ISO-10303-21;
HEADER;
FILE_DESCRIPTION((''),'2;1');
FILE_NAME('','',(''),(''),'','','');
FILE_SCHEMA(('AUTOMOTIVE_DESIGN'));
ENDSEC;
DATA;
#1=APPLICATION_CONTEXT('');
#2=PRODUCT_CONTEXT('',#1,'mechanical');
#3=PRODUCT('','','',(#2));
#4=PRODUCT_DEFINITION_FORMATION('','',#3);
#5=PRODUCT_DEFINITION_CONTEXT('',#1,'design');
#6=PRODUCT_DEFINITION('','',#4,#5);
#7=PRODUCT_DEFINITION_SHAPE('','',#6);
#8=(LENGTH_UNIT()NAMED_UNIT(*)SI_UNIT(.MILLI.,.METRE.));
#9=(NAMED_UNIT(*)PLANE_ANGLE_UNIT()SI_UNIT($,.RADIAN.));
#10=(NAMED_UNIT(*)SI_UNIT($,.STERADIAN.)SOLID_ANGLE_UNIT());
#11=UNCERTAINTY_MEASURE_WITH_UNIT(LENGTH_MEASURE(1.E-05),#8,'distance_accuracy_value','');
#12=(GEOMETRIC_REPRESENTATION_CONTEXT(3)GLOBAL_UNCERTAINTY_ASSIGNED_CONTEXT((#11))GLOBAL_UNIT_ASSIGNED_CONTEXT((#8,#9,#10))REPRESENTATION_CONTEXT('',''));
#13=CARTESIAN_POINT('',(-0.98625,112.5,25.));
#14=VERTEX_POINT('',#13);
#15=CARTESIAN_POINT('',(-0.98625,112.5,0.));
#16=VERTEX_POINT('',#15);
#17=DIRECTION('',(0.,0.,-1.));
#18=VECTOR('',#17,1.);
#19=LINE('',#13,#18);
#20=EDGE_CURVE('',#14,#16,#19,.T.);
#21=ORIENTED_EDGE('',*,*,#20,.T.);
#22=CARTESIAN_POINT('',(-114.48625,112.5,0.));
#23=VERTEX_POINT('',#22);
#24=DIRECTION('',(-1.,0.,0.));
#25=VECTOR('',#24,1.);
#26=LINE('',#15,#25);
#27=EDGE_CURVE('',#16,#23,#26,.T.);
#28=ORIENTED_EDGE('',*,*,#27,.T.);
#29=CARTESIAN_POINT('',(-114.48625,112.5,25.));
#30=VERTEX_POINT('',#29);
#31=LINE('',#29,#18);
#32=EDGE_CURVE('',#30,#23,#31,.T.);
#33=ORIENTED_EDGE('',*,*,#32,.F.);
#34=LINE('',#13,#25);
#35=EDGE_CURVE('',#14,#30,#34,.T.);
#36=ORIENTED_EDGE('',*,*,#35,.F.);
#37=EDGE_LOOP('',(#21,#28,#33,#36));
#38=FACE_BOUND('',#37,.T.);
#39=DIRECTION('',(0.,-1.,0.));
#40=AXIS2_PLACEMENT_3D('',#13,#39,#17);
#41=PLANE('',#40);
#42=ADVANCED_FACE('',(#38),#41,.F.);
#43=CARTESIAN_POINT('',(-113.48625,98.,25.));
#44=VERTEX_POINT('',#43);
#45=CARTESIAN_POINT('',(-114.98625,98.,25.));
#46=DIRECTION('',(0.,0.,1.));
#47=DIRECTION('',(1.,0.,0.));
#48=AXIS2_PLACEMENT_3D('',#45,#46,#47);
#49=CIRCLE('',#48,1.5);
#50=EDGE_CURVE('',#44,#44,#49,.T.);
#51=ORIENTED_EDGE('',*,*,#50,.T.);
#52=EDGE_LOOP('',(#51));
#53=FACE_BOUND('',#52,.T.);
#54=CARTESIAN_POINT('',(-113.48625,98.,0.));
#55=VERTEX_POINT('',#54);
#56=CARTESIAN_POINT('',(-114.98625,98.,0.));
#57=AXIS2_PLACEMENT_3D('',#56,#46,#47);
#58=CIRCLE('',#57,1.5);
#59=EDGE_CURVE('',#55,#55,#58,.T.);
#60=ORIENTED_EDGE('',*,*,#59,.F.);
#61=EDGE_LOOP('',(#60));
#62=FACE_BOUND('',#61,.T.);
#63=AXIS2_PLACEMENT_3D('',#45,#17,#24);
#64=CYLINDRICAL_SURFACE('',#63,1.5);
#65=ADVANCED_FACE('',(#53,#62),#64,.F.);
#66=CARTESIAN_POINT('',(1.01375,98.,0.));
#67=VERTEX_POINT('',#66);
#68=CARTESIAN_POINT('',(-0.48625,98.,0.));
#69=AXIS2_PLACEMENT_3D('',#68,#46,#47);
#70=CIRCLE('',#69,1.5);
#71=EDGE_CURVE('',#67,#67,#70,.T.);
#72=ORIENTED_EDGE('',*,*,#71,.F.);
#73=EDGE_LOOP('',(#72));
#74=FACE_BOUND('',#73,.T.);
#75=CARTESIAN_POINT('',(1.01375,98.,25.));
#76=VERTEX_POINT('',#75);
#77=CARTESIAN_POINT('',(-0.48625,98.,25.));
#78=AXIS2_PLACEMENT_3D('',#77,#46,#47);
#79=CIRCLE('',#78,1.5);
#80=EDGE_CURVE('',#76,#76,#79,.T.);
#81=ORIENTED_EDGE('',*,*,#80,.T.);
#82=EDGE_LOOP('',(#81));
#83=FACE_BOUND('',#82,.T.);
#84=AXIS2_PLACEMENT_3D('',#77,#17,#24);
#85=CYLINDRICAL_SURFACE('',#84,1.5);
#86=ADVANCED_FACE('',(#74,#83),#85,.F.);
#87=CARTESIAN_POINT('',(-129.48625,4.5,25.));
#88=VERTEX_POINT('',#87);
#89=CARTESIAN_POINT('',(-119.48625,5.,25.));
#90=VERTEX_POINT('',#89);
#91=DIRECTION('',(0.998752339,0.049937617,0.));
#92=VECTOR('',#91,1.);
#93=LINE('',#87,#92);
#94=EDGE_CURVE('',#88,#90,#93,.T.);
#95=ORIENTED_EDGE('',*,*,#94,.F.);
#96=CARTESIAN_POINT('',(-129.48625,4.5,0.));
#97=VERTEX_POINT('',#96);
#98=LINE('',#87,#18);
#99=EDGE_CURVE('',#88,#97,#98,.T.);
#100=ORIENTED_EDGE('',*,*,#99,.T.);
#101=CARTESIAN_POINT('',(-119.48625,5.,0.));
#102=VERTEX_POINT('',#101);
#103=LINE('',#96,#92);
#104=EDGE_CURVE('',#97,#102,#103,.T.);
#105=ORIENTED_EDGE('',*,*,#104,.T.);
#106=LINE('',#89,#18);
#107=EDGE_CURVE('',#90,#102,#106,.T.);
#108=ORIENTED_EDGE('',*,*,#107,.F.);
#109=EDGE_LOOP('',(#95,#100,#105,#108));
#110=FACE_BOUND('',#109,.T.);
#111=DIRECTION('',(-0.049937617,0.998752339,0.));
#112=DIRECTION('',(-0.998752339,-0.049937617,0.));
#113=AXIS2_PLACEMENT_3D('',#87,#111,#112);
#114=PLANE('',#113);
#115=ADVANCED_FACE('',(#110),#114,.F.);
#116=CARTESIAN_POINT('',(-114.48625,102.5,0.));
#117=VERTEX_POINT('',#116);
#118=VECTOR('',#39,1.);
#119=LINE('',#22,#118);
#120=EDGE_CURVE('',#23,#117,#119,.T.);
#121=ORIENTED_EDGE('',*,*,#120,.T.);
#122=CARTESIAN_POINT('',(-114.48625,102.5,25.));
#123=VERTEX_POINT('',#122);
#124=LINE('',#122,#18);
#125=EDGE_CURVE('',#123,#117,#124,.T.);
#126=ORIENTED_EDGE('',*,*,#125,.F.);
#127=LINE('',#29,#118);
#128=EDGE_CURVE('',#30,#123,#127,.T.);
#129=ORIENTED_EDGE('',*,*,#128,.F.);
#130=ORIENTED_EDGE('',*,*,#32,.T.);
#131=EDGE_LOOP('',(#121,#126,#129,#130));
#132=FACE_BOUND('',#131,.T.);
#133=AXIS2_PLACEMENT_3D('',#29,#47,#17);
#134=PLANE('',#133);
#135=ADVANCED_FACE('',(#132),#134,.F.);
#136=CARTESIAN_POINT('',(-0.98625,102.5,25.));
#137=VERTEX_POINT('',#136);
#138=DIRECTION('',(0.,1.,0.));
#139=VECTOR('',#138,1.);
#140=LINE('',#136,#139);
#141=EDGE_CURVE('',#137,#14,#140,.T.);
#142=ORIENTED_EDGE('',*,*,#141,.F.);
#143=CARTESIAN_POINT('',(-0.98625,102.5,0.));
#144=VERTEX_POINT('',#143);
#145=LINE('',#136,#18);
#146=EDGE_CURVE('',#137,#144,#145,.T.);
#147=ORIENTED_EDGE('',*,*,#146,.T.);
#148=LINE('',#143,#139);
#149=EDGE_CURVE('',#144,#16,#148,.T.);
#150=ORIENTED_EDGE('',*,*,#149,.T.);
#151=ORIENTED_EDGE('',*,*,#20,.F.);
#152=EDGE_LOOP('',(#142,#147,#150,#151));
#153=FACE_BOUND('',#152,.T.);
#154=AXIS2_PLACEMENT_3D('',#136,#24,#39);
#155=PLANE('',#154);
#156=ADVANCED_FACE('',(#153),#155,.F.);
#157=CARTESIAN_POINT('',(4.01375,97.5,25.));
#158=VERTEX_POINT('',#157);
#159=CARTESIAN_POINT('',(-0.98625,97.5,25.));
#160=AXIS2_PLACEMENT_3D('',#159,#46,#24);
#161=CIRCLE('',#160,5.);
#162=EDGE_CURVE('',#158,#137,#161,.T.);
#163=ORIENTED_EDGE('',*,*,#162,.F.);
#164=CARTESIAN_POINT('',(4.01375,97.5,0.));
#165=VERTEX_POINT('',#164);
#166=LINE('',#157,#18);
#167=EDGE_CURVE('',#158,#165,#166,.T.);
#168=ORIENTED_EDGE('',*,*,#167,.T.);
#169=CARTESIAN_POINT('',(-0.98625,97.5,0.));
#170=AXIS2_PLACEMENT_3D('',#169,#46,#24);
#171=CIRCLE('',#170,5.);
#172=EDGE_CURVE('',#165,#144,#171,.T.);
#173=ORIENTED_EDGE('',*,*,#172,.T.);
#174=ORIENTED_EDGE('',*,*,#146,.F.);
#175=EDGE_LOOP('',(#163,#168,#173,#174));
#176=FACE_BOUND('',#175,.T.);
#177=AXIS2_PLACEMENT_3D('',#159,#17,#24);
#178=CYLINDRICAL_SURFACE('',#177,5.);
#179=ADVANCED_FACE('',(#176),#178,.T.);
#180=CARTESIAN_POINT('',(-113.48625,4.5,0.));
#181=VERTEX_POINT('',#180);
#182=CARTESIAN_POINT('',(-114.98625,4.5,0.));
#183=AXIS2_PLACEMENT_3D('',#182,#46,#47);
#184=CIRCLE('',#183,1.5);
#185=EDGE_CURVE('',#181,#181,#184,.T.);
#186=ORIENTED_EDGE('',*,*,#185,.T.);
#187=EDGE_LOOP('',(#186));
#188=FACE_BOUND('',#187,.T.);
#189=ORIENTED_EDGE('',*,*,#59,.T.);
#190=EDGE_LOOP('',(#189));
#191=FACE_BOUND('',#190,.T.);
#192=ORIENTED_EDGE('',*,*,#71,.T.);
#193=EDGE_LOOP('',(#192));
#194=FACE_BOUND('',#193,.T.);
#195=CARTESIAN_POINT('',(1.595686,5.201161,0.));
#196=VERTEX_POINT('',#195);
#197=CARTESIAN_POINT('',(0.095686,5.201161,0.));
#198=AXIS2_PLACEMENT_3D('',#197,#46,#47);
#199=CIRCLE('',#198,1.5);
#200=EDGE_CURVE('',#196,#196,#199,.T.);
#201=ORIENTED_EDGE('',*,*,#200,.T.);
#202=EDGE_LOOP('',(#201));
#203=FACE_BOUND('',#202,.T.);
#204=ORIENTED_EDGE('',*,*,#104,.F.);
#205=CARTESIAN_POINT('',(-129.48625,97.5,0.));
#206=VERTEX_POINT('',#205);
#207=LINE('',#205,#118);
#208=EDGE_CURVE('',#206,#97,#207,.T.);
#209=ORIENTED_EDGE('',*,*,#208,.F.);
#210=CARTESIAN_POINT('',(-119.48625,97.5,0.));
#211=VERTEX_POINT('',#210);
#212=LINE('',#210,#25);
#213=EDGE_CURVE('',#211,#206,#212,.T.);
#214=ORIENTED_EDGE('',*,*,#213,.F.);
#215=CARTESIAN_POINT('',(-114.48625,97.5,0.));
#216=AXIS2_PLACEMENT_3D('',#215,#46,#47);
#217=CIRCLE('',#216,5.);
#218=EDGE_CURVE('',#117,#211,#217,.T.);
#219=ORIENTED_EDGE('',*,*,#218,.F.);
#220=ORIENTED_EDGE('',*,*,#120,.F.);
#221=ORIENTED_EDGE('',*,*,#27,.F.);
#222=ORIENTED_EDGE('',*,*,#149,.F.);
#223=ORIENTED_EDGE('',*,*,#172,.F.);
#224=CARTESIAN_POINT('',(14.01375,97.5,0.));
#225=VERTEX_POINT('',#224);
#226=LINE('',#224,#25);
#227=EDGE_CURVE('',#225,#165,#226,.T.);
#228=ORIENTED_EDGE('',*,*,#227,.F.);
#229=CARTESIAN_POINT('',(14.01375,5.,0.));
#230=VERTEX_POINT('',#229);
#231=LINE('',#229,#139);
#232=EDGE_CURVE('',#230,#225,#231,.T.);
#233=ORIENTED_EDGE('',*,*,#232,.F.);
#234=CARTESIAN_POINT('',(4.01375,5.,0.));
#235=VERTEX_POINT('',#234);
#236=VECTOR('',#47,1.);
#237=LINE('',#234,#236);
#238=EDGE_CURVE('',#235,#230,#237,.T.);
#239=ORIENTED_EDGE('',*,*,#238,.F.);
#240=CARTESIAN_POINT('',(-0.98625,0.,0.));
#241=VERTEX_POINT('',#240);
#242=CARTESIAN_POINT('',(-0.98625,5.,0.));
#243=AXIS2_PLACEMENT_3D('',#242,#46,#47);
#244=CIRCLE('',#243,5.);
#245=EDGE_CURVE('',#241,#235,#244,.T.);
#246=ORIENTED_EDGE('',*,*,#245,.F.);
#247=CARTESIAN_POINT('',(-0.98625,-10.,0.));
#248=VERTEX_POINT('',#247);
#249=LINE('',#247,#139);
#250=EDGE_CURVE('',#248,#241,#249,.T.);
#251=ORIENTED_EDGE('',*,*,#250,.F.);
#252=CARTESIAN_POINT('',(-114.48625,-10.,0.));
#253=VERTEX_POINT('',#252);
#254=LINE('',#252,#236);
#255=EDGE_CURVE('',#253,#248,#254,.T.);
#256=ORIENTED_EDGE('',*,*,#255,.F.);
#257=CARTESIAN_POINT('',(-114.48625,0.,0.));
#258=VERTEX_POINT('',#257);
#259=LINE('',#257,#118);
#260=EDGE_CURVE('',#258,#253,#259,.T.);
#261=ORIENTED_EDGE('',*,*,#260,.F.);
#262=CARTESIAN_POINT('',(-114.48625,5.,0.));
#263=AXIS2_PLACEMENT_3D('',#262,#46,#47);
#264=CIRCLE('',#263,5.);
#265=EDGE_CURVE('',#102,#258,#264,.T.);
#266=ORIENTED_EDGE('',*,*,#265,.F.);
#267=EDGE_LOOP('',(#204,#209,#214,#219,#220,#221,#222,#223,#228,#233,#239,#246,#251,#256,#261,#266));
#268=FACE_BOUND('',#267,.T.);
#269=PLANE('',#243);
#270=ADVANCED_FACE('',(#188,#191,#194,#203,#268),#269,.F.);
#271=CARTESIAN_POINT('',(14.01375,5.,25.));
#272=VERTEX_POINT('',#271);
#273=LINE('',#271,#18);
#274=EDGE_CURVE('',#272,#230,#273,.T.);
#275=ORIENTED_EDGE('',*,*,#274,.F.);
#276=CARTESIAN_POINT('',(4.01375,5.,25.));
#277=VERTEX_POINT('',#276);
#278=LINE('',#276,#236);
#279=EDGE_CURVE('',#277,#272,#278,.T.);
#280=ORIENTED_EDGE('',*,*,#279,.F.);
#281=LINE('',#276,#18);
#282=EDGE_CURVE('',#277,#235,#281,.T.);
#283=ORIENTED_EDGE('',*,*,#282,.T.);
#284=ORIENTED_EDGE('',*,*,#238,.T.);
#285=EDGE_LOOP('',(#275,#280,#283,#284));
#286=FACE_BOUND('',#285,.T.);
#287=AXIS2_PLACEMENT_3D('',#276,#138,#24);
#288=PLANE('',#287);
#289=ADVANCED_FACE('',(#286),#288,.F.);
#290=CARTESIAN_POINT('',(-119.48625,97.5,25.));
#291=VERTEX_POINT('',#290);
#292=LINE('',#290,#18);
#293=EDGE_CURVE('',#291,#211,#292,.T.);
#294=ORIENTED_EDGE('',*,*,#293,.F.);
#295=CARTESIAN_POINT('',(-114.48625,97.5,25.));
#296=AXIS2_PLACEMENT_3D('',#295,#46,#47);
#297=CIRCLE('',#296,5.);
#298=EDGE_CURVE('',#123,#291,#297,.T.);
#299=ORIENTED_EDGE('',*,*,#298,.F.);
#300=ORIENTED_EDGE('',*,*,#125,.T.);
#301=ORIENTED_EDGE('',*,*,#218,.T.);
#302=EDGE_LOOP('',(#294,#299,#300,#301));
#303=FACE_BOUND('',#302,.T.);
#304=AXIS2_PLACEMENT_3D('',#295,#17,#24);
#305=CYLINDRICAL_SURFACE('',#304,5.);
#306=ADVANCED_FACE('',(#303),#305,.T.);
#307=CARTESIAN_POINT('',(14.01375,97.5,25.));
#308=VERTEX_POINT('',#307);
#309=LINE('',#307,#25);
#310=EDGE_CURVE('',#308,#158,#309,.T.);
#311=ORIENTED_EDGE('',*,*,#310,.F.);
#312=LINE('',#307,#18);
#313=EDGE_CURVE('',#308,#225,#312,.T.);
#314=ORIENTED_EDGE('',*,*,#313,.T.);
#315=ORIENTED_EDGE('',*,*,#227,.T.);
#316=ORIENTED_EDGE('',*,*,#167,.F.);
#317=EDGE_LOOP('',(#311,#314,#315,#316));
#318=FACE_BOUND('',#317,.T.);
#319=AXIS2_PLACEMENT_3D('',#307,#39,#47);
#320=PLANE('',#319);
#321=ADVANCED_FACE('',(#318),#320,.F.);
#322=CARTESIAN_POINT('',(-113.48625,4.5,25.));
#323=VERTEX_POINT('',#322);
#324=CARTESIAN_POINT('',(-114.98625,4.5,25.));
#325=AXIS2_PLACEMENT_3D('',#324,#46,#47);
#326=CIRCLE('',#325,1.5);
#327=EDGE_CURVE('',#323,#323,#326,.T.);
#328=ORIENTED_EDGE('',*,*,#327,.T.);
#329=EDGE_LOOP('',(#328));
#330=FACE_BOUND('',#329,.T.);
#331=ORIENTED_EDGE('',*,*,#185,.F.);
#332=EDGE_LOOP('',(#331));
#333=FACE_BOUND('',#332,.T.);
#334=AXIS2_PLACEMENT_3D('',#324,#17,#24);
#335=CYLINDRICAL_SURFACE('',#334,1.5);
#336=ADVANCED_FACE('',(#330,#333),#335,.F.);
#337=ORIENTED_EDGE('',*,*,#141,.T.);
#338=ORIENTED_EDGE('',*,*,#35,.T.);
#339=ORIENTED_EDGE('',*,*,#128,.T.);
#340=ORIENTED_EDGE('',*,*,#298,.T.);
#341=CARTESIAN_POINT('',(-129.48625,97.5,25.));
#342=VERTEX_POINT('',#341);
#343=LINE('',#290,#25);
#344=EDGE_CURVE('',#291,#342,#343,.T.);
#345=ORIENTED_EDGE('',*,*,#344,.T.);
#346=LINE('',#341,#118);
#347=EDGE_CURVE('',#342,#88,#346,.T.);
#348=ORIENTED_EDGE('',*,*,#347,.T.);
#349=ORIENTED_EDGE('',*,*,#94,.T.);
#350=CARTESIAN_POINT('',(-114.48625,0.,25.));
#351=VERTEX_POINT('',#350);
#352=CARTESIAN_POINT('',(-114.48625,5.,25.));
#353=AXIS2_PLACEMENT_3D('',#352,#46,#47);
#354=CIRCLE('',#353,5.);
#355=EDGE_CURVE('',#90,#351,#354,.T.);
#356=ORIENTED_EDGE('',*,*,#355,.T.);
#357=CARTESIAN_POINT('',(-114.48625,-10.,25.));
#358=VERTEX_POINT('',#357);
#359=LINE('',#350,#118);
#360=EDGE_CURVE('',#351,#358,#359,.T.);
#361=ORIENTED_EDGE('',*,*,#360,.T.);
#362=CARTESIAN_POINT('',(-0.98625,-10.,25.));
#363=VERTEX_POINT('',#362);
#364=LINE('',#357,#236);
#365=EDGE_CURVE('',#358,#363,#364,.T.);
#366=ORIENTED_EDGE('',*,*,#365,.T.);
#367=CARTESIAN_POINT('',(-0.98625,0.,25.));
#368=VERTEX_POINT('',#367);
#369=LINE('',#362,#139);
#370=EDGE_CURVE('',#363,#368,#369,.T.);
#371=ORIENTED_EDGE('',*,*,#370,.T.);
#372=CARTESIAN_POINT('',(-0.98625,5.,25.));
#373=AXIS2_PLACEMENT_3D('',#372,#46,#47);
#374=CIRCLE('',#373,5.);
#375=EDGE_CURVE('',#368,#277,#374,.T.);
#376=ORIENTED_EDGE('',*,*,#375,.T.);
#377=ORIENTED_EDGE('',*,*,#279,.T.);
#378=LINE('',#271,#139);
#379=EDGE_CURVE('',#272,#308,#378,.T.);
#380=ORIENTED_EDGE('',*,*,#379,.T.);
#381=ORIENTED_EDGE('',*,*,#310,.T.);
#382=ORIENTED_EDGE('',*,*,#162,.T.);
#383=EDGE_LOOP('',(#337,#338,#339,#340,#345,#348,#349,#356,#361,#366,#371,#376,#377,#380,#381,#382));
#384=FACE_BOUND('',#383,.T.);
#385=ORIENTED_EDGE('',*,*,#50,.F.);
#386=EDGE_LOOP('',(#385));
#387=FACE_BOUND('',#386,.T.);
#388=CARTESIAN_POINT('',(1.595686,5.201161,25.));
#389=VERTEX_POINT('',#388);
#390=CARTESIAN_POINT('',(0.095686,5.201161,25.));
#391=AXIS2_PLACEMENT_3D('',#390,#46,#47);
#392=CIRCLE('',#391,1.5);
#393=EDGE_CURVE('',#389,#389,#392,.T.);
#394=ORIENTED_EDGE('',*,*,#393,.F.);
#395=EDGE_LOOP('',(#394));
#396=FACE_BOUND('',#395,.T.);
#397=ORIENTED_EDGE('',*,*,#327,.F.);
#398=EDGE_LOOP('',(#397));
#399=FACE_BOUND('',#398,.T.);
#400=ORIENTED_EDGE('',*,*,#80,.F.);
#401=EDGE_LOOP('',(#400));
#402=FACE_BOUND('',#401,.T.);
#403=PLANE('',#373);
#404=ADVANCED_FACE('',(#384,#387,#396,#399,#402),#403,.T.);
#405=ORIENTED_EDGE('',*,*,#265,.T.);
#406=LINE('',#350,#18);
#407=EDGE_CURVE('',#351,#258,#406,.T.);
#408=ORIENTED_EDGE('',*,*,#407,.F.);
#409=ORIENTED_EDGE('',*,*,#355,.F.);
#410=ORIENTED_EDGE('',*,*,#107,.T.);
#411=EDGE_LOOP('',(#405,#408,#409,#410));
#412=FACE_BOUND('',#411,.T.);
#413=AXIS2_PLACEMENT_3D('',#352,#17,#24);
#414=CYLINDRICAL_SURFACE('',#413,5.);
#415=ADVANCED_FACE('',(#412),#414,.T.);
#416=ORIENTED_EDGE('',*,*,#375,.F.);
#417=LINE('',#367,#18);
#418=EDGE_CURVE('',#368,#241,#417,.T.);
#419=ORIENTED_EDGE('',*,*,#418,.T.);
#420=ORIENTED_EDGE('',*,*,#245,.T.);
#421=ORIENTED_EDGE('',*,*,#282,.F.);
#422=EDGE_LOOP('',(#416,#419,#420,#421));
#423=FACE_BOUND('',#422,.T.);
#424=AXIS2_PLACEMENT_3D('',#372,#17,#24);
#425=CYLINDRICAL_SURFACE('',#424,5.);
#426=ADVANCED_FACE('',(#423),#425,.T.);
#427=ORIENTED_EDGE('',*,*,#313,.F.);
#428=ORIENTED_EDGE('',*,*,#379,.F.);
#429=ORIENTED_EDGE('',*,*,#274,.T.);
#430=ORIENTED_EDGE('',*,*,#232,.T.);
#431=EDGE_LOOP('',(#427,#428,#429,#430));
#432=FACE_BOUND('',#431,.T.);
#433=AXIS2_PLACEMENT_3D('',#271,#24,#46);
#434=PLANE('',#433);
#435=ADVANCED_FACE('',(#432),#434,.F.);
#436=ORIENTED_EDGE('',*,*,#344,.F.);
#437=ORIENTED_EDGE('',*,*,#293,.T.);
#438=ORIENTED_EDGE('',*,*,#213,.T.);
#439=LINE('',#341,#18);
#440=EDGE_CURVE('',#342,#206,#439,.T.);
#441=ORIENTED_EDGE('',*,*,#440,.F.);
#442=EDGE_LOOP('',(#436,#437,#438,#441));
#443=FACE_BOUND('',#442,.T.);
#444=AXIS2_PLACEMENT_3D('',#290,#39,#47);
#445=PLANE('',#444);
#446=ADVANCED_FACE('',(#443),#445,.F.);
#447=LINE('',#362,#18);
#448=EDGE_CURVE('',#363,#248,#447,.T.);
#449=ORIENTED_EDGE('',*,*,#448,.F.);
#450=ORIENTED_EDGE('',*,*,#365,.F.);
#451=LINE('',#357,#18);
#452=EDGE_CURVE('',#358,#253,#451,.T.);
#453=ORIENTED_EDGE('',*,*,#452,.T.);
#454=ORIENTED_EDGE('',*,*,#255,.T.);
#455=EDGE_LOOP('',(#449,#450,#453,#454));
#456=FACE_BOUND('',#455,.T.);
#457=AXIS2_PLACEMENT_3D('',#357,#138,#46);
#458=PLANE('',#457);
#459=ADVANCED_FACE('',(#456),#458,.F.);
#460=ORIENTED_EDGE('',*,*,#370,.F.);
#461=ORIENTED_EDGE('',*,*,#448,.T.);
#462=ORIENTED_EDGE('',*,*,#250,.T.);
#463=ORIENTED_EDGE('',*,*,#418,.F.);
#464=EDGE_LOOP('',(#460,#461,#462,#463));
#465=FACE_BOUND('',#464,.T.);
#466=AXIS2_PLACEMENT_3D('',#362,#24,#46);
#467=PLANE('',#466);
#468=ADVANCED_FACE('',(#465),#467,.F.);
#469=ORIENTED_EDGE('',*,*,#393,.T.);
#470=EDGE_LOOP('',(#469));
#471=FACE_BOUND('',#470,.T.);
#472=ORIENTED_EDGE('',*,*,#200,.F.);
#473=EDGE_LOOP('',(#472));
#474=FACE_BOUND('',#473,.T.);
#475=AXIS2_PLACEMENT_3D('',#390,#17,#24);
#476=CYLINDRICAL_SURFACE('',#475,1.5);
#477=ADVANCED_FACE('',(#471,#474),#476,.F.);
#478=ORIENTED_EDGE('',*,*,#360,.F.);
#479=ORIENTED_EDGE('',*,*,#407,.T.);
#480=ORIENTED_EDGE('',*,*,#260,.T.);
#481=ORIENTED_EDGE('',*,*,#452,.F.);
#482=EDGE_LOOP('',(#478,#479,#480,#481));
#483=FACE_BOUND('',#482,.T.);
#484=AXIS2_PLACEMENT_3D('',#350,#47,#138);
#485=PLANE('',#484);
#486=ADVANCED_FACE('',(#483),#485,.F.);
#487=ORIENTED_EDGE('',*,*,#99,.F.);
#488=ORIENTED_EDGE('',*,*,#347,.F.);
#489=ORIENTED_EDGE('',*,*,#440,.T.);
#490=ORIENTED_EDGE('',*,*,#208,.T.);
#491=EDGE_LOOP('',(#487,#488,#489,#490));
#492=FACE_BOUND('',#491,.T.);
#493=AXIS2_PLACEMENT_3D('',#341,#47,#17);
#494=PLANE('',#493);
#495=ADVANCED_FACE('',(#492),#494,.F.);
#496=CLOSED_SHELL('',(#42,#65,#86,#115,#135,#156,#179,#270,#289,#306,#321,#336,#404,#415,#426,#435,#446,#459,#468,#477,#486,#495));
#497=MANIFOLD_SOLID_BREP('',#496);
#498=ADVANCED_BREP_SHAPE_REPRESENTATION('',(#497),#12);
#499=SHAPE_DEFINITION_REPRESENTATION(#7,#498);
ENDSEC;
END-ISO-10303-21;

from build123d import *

# Parameters (mm, degrees)
SKETCH_1_R      = 1.5
EXTRUDE_1_DEPTH = 25


with BuildPart() as part:
    # 草图1 → 凸台-拉伸1 (new body)
    with BuildSketch(Plane.XY):
        with BuildLine():
            Line((-119.48625, 97.5), (-129.48625, 97.5))
            Line((-129.48625, 97.5), (-129.48625, 4.5))
            Line((-129.48625, 4.5), (-119.48625, 5))
            ThreePointArc((-119.48625, 5), (-118.021783906, 1.464466094), (-114.48625, 0))
            Line((-114.48625, 0), (-114.48625, -10))
            Line((-114.48625, -10), (-0.98625, -10))
            Line((-0.98625, -10), (-0.98625, 0))
            ThreePointArc((-0.98625, 0), (2.549283906, 1.464466094), (4.01375, 5))
            Line((4.01375, 5), (14.01375, 5))
            Line((14.01375, 5), (14.01375, 97.5))
            Line((14.01375, 97.5), (4.01375, 97.5))
            ThreePointArc((4.01375, 97.5), (2.549283906, 101.035533906), (-0.98625, 102.5))
            Line((-0.98625, 102.5), (-0.98625, 112.5))
            Line((-0.98625, 112.5), (-114.48625, 112.5))
            Line((-114.48625, 112.5), (-114.48625, 102.5))
            ThreePointArc((-114.48625, 102.5), (-118.021783906, 101.035533906), (-119.48625, 97.5))
        make_face()
        with Locations((-114.98625, 98)):
            Circle(SKETCH_1_R, mode=Mode.SUBTRACT)
        with Locations((-114.98625, 4.5)):
            Circle(SKETCH_1_R, mode=Mode.SUBTRACT)
        with Locations((0.095685547, 5.201161366)):
            Circle(SKETCH_1_R, mode=Mode.SUBTRACT)
        with Locations((-0.48625, 98)):
            Circle(SKETCH_1_R, mode=Mode.SUBTRACT)
    extrude(amount=EXTRUDE_1_DEPTH)


solid = part.part
